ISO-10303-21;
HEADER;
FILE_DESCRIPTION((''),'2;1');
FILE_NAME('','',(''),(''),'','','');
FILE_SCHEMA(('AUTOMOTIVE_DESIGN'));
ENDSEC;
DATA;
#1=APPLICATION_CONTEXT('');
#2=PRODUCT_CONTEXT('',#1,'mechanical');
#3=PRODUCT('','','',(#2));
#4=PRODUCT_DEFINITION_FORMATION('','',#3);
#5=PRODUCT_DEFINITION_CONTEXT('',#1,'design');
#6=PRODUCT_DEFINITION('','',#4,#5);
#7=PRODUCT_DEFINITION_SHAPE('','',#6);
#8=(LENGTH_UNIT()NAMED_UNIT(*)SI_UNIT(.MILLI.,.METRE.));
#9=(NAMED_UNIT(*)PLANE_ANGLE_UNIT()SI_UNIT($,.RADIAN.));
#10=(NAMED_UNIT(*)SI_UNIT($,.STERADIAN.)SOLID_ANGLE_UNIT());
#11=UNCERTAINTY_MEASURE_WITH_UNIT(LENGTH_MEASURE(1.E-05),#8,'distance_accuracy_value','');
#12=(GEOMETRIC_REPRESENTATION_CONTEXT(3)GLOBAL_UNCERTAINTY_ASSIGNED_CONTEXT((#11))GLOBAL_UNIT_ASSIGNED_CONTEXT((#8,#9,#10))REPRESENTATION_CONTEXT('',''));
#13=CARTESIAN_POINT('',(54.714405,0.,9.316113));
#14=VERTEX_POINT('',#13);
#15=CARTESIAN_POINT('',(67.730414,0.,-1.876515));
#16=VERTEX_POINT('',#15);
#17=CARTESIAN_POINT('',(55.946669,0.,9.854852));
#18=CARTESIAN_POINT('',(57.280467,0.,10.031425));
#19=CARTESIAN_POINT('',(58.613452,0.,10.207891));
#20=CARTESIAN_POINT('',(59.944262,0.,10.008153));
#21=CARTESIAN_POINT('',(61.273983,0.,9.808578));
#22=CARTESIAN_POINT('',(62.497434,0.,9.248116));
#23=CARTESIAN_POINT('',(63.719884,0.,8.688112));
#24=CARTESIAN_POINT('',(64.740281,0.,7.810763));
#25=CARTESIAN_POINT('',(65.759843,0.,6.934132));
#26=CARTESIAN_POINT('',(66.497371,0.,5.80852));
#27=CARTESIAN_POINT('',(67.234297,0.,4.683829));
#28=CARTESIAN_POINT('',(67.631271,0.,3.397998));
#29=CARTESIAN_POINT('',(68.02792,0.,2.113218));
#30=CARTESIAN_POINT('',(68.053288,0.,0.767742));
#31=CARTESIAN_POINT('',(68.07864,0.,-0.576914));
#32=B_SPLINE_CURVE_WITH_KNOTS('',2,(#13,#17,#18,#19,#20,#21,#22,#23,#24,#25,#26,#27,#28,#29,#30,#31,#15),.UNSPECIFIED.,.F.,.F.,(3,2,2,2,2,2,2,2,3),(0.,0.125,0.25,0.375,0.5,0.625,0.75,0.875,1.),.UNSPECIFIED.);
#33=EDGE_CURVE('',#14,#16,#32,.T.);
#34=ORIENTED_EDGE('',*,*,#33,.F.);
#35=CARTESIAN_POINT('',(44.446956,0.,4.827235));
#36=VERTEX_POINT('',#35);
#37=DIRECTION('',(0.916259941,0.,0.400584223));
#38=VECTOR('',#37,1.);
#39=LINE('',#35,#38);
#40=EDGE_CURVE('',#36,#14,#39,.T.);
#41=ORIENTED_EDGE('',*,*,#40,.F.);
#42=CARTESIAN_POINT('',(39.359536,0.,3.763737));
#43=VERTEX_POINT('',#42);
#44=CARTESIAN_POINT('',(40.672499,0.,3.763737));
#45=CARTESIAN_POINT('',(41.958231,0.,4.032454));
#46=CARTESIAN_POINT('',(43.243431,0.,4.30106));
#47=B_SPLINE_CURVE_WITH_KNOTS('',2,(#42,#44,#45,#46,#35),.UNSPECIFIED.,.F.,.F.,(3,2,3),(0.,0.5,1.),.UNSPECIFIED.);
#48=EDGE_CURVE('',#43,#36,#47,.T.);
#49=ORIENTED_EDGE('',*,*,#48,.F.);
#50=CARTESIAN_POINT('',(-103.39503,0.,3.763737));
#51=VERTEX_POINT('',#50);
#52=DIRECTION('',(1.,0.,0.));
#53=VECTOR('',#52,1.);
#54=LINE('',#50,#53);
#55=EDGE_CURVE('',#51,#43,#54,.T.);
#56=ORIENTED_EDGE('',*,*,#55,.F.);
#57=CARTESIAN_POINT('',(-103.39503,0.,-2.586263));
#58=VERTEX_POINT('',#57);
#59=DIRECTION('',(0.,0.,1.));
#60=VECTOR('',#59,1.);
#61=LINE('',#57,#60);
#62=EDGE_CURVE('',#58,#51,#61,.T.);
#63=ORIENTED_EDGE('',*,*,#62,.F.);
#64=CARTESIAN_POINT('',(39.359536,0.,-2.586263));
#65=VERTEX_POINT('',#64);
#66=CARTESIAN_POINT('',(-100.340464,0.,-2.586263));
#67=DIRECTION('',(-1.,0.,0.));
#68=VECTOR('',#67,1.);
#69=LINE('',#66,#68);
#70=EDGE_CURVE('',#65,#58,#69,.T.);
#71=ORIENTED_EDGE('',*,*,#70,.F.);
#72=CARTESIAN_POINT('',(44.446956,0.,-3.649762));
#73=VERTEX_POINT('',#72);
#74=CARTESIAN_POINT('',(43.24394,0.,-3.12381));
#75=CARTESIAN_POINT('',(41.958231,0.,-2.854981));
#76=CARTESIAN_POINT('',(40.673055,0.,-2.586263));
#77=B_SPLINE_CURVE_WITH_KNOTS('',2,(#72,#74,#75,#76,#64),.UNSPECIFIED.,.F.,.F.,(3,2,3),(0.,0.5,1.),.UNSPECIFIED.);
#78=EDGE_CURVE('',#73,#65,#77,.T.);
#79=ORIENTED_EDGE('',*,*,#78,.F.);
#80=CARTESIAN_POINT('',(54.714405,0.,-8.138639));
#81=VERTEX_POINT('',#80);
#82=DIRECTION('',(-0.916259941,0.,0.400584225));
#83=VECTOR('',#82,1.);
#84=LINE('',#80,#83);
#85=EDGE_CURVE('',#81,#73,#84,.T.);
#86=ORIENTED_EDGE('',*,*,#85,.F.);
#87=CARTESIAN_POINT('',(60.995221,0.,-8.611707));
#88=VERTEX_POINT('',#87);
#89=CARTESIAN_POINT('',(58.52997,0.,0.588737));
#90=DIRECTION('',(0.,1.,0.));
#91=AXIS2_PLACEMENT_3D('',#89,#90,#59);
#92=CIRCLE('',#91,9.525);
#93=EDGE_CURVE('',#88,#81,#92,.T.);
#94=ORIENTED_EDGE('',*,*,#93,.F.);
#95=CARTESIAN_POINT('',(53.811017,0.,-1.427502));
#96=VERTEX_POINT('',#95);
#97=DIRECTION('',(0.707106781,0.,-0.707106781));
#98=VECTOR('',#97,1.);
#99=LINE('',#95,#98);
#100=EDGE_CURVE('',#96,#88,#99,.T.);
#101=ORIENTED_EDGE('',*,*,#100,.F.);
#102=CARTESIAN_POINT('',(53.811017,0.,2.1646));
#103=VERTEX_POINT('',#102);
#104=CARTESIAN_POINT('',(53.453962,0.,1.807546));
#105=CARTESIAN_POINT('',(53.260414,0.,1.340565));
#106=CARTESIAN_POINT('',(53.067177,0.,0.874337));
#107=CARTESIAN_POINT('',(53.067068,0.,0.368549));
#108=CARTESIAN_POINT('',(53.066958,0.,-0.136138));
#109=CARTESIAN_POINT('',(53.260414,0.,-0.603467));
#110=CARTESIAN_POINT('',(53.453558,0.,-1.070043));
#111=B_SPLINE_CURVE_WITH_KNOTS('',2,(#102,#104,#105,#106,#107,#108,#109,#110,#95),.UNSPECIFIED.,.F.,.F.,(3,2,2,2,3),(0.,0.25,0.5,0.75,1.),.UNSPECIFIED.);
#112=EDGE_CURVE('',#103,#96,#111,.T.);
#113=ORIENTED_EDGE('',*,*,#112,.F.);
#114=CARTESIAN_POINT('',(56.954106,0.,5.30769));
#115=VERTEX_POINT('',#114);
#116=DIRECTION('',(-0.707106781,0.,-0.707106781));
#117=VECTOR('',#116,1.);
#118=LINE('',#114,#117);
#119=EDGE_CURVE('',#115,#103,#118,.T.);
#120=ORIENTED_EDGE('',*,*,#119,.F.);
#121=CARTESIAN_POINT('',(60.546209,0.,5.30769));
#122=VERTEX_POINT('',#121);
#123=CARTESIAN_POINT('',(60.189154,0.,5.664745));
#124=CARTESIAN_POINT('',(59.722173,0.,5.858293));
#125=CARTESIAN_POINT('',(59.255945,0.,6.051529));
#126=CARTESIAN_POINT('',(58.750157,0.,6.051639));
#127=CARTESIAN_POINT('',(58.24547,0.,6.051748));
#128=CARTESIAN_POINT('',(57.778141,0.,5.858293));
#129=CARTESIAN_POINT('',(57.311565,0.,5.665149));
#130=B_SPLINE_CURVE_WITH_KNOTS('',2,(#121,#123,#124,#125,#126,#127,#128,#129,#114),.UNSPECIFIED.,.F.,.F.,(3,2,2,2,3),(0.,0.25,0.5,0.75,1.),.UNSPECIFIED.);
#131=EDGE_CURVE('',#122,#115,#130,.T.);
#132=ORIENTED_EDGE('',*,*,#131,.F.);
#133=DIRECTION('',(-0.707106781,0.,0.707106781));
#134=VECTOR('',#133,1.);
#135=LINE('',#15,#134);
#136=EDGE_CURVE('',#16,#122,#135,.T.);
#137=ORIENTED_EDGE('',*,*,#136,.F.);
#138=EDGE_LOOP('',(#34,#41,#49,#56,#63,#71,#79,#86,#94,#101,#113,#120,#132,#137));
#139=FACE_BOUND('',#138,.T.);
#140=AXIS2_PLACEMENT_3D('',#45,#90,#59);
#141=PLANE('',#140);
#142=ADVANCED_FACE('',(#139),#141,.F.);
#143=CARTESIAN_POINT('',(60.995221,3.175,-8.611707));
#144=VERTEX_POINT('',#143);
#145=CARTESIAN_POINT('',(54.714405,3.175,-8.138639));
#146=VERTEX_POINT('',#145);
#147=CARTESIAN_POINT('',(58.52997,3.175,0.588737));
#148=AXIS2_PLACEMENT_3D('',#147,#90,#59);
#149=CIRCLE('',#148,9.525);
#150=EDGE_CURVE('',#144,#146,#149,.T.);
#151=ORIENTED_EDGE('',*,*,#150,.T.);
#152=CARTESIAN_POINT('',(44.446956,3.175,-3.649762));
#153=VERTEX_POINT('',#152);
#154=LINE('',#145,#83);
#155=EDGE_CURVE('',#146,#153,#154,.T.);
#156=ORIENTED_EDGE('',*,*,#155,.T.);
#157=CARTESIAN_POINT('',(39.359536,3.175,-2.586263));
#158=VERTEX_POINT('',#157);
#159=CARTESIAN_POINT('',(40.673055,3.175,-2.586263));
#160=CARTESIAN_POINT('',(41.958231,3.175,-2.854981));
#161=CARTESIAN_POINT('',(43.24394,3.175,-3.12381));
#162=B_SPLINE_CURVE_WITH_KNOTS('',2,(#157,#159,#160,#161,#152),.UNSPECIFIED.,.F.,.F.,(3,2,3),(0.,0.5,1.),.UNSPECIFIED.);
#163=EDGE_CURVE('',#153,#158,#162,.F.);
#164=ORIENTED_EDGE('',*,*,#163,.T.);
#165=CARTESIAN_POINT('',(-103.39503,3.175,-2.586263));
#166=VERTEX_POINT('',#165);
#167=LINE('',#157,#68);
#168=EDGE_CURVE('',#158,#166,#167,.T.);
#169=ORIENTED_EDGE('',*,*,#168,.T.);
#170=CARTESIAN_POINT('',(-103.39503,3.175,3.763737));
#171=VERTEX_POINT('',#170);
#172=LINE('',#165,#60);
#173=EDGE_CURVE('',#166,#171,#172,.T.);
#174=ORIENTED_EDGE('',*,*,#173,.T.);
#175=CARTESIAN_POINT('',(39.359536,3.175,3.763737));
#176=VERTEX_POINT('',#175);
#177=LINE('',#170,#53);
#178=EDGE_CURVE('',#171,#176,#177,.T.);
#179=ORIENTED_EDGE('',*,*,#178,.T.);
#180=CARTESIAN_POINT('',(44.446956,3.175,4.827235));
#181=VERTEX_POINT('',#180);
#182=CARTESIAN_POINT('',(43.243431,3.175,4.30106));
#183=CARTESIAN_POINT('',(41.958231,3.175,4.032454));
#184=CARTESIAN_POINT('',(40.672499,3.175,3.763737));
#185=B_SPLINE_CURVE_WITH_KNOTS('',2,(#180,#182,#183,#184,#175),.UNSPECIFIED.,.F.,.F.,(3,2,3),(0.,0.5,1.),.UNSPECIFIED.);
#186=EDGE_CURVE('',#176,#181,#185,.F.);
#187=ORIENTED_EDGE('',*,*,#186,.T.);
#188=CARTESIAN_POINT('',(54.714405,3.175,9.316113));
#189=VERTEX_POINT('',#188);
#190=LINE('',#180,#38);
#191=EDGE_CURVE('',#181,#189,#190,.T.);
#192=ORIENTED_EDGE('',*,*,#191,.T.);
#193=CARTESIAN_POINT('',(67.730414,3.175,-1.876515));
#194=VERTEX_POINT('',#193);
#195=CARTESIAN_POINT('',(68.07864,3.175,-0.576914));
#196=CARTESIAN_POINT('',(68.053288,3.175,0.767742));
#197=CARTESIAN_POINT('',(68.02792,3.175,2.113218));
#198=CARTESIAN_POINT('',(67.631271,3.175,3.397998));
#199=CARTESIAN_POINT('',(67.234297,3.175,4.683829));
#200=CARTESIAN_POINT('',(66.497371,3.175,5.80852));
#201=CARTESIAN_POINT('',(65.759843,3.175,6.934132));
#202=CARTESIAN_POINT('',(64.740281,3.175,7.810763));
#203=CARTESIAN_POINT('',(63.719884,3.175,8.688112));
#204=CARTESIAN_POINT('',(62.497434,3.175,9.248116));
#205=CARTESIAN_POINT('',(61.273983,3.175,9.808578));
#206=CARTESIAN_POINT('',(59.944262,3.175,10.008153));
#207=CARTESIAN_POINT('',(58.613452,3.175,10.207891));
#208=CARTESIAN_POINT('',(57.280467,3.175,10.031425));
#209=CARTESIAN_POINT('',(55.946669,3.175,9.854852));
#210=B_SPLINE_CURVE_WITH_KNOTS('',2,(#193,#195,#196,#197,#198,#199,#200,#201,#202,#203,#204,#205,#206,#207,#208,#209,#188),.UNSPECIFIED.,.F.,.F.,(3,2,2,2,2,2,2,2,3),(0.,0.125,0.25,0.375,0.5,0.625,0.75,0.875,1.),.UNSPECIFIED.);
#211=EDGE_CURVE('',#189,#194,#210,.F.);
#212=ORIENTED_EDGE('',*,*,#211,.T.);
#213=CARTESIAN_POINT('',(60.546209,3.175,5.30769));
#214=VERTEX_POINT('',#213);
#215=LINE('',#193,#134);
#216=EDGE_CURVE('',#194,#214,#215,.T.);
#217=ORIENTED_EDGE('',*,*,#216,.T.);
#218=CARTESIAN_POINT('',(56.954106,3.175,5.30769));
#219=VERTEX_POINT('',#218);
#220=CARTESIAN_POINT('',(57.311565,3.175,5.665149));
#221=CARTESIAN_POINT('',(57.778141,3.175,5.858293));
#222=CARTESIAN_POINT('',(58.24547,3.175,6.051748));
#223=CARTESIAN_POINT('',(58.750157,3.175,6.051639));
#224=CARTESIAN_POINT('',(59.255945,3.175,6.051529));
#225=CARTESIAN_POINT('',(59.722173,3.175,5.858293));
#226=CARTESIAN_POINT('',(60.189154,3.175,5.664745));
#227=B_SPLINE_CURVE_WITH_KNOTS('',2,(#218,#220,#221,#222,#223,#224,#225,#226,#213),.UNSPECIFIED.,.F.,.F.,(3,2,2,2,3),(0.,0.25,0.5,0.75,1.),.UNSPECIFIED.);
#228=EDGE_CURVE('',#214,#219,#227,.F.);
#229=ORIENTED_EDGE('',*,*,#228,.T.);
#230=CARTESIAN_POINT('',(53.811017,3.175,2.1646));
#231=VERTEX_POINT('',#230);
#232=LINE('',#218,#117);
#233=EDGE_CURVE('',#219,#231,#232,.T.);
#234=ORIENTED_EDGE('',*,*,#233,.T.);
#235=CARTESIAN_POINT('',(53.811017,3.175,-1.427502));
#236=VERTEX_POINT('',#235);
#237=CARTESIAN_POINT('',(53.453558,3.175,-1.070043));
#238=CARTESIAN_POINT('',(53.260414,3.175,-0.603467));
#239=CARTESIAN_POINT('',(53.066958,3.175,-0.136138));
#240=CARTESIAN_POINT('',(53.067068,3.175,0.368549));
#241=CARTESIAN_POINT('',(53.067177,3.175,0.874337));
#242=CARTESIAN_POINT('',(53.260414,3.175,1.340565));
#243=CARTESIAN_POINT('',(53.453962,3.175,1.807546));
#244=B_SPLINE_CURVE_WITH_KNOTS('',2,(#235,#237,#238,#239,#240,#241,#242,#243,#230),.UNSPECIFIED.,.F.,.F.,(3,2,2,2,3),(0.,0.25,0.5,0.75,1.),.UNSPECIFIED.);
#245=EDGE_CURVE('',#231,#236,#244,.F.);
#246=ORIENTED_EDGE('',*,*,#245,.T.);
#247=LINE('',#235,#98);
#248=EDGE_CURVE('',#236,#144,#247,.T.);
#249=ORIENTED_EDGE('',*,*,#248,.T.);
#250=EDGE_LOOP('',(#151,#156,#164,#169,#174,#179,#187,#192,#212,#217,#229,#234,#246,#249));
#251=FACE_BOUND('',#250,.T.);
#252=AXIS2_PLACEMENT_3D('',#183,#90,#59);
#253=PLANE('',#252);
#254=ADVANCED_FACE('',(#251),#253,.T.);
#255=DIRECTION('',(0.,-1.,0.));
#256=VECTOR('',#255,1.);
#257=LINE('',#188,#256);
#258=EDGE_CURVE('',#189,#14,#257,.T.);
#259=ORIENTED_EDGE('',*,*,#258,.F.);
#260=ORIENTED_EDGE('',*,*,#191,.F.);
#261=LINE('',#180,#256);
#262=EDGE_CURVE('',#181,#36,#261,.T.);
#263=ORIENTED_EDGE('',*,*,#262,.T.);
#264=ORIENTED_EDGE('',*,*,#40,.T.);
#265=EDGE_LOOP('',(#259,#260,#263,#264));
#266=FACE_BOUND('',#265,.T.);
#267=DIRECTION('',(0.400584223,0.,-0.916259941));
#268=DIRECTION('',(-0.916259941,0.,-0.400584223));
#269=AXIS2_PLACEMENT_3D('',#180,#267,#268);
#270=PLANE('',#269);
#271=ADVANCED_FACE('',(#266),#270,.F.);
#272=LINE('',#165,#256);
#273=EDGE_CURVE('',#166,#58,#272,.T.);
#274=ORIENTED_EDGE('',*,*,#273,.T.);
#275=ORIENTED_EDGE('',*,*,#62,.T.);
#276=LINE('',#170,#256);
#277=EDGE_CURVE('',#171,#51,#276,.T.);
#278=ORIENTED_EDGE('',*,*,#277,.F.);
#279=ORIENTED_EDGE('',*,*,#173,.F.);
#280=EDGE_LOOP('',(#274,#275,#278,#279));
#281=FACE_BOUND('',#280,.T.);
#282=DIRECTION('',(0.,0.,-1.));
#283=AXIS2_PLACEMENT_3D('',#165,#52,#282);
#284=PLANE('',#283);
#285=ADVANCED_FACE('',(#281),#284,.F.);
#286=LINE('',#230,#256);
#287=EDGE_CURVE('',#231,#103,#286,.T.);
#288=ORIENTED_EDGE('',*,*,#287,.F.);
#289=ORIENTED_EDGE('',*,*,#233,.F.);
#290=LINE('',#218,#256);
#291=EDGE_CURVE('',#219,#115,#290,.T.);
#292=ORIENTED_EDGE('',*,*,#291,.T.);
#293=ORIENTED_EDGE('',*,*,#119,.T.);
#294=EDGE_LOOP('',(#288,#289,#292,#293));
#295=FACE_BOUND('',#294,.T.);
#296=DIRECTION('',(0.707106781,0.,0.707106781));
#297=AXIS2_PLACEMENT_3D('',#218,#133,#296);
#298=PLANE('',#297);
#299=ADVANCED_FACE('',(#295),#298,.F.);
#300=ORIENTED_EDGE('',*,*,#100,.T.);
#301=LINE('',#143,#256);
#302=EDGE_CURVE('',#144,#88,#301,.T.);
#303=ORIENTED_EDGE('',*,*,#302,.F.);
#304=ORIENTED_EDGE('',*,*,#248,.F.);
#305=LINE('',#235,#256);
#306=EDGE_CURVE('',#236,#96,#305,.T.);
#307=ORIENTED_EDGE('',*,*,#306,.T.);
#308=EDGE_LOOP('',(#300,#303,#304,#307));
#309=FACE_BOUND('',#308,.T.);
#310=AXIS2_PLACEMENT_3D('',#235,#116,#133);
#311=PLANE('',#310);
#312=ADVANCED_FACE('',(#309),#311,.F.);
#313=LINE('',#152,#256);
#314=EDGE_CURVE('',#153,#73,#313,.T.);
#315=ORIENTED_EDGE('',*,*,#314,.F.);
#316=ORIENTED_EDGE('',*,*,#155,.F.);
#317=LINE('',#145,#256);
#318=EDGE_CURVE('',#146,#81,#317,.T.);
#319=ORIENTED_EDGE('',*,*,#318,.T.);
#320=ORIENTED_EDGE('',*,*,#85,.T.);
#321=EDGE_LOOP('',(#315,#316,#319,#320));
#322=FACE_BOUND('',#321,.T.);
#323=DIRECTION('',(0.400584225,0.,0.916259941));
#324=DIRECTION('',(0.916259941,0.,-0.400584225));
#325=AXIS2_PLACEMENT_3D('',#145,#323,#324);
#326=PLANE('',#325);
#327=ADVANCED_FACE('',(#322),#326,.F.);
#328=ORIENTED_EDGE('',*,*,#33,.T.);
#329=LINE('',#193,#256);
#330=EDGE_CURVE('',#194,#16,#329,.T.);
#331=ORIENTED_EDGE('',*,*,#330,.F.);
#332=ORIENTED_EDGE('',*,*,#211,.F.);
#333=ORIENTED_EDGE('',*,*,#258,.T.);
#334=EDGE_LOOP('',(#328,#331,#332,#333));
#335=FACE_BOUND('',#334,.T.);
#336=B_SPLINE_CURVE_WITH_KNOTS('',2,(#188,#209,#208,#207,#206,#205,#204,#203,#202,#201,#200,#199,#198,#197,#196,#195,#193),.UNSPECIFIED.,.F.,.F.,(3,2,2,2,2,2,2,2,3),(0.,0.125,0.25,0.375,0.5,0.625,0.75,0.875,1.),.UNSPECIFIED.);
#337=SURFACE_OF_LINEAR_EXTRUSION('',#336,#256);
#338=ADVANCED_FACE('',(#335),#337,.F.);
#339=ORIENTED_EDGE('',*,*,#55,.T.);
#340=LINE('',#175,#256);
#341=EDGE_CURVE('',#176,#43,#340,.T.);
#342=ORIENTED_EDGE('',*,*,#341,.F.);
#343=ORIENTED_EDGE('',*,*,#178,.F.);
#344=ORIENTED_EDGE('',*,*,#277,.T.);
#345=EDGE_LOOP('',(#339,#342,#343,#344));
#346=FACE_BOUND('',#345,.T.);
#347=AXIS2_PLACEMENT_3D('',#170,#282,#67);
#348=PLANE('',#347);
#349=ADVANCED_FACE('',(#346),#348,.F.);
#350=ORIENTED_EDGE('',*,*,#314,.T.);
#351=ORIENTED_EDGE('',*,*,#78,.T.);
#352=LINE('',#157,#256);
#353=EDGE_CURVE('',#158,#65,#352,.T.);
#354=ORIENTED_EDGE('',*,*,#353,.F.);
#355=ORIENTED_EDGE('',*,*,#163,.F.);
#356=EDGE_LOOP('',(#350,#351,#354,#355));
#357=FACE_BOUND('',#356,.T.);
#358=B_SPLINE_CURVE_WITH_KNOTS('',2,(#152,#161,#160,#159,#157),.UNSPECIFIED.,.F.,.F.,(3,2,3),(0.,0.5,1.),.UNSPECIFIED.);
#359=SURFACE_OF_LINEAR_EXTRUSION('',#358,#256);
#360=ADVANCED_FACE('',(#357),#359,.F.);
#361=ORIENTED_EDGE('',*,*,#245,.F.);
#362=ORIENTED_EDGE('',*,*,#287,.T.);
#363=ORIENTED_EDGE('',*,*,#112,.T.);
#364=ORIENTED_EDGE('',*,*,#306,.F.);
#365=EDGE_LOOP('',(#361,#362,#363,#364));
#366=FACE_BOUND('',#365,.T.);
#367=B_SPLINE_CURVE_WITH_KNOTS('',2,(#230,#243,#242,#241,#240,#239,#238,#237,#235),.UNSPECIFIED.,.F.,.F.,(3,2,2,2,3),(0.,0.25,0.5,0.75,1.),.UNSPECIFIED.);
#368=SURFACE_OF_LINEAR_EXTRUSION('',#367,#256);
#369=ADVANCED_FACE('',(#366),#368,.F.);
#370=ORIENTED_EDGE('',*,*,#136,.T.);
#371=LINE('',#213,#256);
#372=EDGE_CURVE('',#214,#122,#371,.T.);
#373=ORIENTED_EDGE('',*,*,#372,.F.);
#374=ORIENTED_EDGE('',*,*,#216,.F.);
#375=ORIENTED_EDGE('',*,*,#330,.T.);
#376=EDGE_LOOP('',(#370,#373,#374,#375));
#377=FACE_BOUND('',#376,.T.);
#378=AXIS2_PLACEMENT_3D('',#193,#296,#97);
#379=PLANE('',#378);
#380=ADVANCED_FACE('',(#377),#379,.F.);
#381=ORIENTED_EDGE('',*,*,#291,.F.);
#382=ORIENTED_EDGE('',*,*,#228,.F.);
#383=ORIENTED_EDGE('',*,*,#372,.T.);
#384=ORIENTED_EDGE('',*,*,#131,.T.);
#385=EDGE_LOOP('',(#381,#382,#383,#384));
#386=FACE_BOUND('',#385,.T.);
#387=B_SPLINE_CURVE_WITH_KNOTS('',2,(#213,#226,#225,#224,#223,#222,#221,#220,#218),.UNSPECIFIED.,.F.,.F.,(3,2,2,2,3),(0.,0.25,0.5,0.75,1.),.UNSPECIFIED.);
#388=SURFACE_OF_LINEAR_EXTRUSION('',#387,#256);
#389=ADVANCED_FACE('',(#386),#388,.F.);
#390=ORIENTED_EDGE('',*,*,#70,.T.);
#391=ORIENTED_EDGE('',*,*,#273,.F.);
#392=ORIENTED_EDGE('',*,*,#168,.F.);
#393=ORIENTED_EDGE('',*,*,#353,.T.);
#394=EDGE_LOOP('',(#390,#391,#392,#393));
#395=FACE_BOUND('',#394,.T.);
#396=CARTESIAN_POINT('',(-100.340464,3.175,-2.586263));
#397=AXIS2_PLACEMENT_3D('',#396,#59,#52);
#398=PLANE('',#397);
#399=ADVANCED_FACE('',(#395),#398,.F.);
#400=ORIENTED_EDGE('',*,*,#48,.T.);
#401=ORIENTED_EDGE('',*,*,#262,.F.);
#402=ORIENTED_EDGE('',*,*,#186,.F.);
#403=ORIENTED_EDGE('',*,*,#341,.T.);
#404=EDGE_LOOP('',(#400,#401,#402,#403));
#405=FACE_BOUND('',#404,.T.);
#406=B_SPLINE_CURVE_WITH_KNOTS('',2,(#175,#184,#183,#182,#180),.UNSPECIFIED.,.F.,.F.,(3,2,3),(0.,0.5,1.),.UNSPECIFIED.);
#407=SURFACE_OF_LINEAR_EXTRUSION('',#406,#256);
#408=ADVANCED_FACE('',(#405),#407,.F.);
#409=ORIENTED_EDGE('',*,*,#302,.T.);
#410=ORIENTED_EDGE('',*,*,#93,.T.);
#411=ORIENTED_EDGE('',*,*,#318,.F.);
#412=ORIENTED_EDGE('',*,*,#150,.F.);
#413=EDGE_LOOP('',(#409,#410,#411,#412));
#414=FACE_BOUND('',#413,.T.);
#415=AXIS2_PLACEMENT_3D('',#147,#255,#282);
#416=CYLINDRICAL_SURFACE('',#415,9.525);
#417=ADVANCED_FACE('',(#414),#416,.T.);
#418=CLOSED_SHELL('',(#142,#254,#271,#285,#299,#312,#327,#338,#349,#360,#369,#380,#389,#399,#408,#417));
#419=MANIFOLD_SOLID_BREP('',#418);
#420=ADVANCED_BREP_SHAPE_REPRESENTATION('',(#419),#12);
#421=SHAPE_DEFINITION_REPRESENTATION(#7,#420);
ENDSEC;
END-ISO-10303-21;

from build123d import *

# Parameters (mm, degrees)
BOSS_EXTRUDE1_DEPTH = 3.175


with BuildPart() as part:
    # Sketch1 → Boss-Extrude1 (new body)
    with BuildSketch(Plane(origin=(0, 0, 0), x_dir=(1, 0, 0), z_dir=(0, 1, 0))):
        with BuildLine():
            Line((1.259536023, 2.586263405), (-100.340463977, 2.586263405))
            Line((-100.340463977, 2.586263405), (-103.395029965, 2.586263405))
            Line((-103.395029965, 2.586263405), (-103.395029965, -3.763736604))
            Line((-103.395029965, -3.763736604), (39.35953602, -3.763736604))
            add(Edge.make_bspline(
                [(39.35953602, -3.763736604), (40.672498996, -3.763736604), (41.958231282, -4.032454171), (43.243430957, -4.301060422), (44.446955668, -4.827235355)],
                knots=[0, 0, 0, 0.5, 0.5, 1, 1, 1], degree=2))
            Line((44.446955668, -4.827235355), (54.714405304, -9.316112529))
            add(Edge.make_bspline(
                [(54.714405304, -9.316112529), (55.946669165, -9.854852073), (57.28046692, -10.031425137), (58.61345219, -10.207890641), (59.944261722, -10.008152925), (61.273983438, -9.808578475), (62.497433966, -9.248116189), (63.719884433, -8.68811203), (64.740280541, -7.810763211), (65.759842568, -6.934131546), (66.497371281, -5.80852035), (67.234297131, -4.683829239), (67.631270692, -3.397998317), (68.027919764, -2.113218446), (68.053287839, -0.767742461), (68.078640466, 0.576914214), (67.730413535, 1.876514813)],
                knots=[0, 0, 0, 0.125, 0.125, 0.25, 0.25, 0.375, 0.375, 0.5, 0.5, 0.625, 0.625, 0.75, 0.75, 0.875, 0.875, 1, 1, 1], degree=2))
            Line((67.730413535, 1.876514813), (60.546208639, -5.307690084))
            add(Edge.make_bspline(
                [(60.546208639, -5.307690084), (60.189154092, -5.664744631), (59.722173333, -5.858292872), (59.255944804, -6.051529339), (58.750157415, -6.05163886), (58.245470025, -6.051748143), (57.778141496, -5.858292872), (57.311565034, -5.665148928), (56.954106191, -5.307690084)],
                knots=[0, 0, 0, 0.25, 0.25, 0.5, 0.5, 0.75, 0.75, 1, 1, 1], degree=2))
            Line((56.954106191, -5.307690084), (53.811016549, -2.164600442))
            add(Edge.make_bspline(
                [(53.811016549, -2.164600442), (53.453962002, -1.807545895), (53.26041376, -1.340565136), (53.067177294, -0.874336608), (53.067067773, -0.368549218), (53.06695849, 0.136138171), (53.26041376, 0.6034667), (53.453557705, 1.070043162), (53.811016549, 1.427502006)],
                knots=[0, 0, 0, 0.25, 0.25, 0.5, 0.5, 0.75, 0.75, 1, 1, 1], degree=2))
            Line((53.811016549, 1.427502006), (60.995221446, 8.611706903))
            ThreePointArc((60.995221446, 8.611706903), (59.773232018, 8.854775714), (58.529970033, 8.93626341))
            ThreePointArc((58.529970033, 8.93626341), (56.580948585, 8.734725234), (54.714405295, 8.138639345))
            Line((54.714405295, 8.138639345), (44.446955671, 3.649762156))
            add(Edge.make_bspline(
                [(44.446955671, 3.649762156), (43.243940291, 3.1238099), (41.958231285, 2.854980972), (40.67305488, 2.586263405), (39.359536023, 2.586263405)],
                knots=[0, 0, 0, 0.5, 0.5, 1, 1, 1], degree=2))
            Line((39.359536023, 2.586263405), (1.259536023, 2.586263405))
        make_face()
    extrude(amount=BOSS_EXTRUDE1_DEPTH)


solid = part.part
